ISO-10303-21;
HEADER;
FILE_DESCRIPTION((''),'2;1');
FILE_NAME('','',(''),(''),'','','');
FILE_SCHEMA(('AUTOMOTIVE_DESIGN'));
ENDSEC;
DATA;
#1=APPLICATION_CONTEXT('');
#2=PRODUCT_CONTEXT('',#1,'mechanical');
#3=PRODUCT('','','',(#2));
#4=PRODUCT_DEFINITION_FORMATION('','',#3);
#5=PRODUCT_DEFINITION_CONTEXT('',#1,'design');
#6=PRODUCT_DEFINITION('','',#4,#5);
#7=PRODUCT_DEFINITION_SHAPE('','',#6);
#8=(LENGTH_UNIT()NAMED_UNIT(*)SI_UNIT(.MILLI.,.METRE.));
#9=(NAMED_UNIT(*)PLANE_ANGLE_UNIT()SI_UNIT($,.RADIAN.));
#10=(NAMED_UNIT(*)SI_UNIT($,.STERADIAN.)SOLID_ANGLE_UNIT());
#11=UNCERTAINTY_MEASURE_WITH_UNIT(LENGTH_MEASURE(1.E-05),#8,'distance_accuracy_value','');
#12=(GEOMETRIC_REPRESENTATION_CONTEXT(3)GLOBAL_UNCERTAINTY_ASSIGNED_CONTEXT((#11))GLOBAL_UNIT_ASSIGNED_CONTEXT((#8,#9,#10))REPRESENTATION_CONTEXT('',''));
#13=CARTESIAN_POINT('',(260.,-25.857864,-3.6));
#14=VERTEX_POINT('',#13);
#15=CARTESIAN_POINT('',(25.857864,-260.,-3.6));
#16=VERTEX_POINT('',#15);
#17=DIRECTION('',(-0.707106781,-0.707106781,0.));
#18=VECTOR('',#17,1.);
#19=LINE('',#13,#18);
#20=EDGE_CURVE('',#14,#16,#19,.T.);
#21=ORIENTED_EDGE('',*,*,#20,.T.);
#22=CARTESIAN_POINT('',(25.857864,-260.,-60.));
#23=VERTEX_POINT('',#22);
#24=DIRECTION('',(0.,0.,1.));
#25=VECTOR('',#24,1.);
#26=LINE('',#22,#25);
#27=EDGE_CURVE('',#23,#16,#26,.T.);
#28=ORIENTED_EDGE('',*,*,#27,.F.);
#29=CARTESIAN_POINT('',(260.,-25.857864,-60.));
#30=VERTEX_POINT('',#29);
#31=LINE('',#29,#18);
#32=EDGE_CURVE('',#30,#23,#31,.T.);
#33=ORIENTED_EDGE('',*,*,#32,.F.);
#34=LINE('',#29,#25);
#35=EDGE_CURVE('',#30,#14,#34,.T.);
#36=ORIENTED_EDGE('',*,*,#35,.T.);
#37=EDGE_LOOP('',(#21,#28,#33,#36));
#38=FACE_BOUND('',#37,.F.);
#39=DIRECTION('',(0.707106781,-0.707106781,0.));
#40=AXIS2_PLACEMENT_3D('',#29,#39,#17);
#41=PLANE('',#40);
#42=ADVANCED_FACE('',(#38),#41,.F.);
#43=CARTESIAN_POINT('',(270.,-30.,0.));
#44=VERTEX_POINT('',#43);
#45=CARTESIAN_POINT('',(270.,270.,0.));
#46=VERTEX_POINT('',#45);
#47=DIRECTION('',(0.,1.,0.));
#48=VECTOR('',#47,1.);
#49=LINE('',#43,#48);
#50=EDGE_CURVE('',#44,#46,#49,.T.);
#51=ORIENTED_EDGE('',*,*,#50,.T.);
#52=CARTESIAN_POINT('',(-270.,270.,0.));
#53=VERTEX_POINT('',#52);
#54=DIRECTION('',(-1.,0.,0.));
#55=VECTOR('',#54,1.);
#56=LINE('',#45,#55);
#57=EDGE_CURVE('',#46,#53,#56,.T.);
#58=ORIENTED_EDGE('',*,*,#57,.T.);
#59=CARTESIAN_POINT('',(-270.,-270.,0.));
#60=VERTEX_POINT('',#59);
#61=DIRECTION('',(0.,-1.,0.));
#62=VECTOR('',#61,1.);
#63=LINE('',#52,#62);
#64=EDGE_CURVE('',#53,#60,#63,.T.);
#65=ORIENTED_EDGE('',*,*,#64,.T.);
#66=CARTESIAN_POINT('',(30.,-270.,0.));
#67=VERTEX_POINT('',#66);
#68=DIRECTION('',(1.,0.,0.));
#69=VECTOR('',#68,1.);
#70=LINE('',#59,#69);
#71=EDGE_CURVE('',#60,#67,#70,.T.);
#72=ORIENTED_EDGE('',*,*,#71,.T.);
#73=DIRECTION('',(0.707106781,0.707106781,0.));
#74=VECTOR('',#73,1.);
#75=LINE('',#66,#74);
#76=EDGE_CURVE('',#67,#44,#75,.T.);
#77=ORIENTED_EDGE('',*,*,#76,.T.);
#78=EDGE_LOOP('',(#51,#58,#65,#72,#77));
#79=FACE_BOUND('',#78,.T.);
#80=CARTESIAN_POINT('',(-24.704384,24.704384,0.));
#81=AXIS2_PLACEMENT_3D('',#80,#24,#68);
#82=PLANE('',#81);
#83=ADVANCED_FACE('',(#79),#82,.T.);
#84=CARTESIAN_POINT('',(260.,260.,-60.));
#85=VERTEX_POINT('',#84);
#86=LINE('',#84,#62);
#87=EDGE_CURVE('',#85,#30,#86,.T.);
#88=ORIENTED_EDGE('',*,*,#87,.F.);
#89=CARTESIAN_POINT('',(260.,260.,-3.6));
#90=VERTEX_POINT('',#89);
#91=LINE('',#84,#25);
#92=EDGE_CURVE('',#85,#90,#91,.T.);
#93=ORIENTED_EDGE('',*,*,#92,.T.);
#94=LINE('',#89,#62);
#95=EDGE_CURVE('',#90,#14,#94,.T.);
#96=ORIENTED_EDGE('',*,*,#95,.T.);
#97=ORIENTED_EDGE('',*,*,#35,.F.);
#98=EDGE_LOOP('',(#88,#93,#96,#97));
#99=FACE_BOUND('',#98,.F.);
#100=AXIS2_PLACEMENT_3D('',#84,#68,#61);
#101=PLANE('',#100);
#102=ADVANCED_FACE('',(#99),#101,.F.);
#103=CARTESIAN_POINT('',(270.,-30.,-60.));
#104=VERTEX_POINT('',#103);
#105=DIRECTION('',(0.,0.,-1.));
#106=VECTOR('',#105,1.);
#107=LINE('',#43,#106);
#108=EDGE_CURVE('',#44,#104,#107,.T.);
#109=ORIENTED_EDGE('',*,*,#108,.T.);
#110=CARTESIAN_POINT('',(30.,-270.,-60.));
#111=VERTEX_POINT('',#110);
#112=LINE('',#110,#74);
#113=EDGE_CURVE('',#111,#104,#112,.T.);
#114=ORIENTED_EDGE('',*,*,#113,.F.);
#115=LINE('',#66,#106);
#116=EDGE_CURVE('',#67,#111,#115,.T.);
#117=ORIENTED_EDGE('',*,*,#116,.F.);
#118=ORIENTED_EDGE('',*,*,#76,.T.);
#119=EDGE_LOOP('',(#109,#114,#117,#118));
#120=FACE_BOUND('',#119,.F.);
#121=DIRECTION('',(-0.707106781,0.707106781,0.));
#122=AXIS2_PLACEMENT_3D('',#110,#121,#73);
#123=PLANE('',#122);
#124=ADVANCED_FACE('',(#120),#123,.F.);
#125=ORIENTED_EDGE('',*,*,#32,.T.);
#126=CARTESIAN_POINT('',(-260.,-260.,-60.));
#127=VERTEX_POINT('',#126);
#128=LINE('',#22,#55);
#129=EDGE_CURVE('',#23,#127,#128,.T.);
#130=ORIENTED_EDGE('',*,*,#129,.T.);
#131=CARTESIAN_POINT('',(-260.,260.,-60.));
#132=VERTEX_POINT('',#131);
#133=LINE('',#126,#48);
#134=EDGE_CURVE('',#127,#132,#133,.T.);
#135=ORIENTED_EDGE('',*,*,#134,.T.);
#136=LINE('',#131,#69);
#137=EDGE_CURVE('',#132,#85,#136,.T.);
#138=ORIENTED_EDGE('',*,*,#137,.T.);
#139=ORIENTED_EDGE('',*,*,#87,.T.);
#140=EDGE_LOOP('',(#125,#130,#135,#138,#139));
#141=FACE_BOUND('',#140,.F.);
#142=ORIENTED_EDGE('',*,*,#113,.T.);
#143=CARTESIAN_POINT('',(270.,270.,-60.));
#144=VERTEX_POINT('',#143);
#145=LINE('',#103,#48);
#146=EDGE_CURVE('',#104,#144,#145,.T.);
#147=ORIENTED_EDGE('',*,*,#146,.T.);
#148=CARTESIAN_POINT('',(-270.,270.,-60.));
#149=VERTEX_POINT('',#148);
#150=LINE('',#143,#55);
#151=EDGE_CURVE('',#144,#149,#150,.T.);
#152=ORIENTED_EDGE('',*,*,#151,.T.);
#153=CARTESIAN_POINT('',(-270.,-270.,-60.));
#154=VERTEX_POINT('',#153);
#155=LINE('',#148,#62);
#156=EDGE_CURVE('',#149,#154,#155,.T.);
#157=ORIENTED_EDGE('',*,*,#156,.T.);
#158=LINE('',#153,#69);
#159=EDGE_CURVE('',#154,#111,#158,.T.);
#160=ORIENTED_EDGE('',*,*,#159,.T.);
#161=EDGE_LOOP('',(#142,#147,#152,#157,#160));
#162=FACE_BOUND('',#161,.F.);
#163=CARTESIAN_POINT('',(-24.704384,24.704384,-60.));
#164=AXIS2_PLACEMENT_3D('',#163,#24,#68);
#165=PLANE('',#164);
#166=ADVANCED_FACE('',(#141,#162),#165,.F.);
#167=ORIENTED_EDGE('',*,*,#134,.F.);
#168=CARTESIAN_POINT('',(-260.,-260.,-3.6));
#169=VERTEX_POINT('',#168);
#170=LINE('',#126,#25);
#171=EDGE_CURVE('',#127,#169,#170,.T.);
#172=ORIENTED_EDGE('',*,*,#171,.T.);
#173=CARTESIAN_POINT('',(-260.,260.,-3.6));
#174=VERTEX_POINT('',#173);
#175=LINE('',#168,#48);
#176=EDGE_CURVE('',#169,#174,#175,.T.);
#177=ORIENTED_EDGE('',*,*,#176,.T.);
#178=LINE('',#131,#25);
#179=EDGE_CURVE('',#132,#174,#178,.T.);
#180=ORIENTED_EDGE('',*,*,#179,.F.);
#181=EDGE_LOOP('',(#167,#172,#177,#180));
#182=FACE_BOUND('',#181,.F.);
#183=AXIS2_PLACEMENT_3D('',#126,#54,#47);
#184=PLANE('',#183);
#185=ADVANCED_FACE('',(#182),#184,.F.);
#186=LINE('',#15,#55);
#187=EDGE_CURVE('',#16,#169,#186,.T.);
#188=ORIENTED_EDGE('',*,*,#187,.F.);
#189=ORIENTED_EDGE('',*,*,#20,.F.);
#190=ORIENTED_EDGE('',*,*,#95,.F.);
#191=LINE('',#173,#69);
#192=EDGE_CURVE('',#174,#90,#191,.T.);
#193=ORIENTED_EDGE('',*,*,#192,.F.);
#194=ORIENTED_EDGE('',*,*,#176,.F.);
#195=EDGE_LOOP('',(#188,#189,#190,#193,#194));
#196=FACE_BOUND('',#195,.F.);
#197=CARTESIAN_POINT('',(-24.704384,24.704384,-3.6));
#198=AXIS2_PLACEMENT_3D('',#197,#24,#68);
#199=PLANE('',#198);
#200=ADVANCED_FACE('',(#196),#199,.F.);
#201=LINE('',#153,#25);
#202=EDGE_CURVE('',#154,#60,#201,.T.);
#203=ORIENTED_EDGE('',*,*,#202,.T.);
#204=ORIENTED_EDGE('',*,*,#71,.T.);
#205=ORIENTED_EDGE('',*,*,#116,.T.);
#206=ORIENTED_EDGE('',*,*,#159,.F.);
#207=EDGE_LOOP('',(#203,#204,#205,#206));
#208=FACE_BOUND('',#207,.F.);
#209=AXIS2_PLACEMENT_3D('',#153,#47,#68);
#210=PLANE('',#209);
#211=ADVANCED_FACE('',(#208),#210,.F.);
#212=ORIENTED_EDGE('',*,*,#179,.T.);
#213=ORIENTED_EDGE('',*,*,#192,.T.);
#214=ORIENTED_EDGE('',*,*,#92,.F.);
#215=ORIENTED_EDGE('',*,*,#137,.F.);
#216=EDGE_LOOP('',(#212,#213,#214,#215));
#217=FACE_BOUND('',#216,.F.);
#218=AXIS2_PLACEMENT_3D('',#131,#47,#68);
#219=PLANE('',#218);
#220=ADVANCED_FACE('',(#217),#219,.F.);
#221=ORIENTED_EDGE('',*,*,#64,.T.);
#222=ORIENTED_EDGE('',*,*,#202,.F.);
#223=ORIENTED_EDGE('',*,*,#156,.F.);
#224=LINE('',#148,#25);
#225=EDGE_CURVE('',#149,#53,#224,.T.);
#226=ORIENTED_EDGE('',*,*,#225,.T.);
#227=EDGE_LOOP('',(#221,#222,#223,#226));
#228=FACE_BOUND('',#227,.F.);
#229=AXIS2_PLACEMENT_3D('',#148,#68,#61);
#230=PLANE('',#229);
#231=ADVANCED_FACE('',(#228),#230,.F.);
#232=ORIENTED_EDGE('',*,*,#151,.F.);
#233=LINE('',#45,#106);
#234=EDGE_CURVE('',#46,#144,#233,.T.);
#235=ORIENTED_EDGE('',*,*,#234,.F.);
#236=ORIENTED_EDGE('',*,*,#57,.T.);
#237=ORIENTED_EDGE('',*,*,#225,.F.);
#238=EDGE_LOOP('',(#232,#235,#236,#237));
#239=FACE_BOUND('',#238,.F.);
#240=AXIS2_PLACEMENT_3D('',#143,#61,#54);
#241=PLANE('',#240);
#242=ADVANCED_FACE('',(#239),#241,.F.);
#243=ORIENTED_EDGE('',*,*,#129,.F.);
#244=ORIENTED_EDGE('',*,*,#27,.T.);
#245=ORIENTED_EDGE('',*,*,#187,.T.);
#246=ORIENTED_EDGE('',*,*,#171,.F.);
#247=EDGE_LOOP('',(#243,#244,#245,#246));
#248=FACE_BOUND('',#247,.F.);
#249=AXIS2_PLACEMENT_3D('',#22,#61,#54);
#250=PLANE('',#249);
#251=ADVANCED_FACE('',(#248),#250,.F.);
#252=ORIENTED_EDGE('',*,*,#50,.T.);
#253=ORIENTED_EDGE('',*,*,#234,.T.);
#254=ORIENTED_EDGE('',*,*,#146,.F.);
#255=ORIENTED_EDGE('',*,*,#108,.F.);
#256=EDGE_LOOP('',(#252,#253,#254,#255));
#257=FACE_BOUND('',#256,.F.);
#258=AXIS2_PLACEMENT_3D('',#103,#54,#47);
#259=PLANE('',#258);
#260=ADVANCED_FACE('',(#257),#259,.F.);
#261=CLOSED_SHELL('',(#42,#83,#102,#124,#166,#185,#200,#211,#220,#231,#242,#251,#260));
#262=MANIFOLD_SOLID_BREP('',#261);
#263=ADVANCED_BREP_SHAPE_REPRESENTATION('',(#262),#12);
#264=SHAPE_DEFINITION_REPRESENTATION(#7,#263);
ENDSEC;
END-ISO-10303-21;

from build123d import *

# Parameters (mm, degrees)
F1_DEPTH = 3.6
F4_DEPTH = 56.4


with BuildPart() as f1:
    # F0 (on Top) → F1 (new body)
    with BuildSketch(Plane.XY):
        Polygon((270, 270), (-270, 270), (-270, -270), (30, -270), (270, -30), align=None)
    extrude(amount=-F1_DEPTH)

    # F3 (on offset) → F4 (join, through all)
    with BuildSketch(Plane.XY.offset(-60)):
        Polygon((270, 270), (-270, 270), (-270, -270), (30, -270), (270, -30), align=None)
        Polygon((-260, 260), (260, 260), (260, -25.857864), (25.857864, -260), (-260, -260), align=None, mode=Mode.SUBTRACT)
    extrude(amount=F4_DEPTH)


solid = f1.part
